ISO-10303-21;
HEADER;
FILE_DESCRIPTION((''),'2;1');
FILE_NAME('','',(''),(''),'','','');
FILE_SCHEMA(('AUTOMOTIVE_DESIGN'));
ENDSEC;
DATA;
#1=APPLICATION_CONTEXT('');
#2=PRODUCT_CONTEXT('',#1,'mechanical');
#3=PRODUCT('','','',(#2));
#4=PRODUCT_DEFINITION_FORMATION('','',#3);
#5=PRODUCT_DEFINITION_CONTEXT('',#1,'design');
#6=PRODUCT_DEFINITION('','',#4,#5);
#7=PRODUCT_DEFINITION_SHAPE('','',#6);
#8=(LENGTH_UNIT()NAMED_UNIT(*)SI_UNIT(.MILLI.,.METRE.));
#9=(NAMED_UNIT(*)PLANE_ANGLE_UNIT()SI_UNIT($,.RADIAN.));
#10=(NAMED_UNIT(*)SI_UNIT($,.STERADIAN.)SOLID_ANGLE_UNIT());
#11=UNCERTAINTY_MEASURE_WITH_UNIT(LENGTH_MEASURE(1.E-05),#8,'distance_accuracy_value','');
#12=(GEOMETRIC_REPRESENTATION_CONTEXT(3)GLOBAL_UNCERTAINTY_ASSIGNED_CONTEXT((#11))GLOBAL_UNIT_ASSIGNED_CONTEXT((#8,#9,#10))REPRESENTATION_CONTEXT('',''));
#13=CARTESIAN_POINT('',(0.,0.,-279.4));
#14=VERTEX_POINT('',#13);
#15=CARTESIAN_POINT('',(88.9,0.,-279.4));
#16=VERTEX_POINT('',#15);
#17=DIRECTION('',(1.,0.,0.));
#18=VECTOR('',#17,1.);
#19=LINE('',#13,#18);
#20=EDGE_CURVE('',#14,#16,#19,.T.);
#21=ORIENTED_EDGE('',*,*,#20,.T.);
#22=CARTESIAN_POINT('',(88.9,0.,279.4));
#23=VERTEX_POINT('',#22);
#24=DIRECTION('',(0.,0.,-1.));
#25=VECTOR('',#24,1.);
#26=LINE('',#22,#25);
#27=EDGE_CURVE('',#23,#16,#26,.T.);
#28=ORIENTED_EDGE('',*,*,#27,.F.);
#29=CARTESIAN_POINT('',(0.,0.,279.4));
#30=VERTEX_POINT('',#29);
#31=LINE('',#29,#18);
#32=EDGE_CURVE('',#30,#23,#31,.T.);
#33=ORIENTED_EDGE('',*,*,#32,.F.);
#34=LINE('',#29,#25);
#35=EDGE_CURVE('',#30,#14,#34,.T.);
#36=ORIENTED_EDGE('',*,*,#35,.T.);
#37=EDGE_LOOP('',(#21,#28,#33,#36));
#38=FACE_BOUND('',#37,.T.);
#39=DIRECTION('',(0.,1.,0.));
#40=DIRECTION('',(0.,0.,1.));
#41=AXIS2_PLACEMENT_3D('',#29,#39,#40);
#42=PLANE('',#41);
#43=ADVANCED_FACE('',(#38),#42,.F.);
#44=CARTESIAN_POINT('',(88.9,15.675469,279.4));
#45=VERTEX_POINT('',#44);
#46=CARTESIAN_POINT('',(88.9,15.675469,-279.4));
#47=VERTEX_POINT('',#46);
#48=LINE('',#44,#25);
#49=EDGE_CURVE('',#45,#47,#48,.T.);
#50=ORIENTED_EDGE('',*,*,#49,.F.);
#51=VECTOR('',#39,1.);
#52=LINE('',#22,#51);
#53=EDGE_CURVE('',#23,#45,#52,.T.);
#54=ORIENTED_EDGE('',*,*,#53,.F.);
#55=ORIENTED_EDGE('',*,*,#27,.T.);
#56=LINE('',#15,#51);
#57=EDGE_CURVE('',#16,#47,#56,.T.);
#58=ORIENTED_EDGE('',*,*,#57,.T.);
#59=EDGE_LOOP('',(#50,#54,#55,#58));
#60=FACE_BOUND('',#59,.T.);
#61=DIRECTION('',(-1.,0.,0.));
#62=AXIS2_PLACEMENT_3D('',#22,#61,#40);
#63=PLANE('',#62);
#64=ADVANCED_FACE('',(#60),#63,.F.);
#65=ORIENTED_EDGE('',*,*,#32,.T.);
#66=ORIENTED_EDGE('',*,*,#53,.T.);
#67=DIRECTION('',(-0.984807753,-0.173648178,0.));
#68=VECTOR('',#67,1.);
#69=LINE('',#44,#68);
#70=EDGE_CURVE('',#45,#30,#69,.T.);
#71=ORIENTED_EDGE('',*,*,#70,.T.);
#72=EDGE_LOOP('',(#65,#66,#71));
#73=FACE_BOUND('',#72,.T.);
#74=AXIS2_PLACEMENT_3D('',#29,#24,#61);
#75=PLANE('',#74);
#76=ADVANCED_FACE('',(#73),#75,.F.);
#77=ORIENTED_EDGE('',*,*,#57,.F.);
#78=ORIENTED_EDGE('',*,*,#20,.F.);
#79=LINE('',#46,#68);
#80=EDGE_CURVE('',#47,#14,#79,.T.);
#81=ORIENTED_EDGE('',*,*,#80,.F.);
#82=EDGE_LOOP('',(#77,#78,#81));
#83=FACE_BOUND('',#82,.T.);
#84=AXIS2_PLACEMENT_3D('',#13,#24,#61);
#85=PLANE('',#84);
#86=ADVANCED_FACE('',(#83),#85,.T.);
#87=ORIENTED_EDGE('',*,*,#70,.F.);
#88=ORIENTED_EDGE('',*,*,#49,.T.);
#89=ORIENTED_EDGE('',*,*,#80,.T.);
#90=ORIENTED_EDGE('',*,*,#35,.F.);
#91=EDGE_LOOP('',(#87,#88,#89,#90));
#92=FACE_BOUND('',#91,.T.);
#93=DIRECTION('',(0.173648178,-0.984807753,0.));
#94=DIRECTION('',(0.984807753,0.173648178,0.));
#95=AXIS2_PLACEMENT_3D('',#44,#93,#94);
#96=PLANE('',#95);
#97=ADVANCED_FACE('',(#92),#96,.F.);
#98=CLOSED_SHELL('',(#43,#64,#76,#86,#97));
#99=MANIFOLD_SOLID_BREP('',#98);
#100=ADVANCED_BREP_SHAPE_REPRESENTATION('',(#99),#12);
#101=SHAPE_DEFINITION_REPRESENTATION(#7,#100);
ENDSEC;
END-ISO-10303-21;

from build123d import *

# Parameters (mm, degrees)
BOSS_EXTRUDE1_DEPTH = 279.4


with BuildPart() as part:
    # Sketch1 → Boss-Extrude1 (new, symmetric)
    with BuildSketch(Plane.XY):
        Polygon((0, 0), (88.9, 0), (88.9, 15.675468585), align=None)
    extrude(amount=BOSS_EXTRUDE1_DEPTH, both=True)


solid = part.part
